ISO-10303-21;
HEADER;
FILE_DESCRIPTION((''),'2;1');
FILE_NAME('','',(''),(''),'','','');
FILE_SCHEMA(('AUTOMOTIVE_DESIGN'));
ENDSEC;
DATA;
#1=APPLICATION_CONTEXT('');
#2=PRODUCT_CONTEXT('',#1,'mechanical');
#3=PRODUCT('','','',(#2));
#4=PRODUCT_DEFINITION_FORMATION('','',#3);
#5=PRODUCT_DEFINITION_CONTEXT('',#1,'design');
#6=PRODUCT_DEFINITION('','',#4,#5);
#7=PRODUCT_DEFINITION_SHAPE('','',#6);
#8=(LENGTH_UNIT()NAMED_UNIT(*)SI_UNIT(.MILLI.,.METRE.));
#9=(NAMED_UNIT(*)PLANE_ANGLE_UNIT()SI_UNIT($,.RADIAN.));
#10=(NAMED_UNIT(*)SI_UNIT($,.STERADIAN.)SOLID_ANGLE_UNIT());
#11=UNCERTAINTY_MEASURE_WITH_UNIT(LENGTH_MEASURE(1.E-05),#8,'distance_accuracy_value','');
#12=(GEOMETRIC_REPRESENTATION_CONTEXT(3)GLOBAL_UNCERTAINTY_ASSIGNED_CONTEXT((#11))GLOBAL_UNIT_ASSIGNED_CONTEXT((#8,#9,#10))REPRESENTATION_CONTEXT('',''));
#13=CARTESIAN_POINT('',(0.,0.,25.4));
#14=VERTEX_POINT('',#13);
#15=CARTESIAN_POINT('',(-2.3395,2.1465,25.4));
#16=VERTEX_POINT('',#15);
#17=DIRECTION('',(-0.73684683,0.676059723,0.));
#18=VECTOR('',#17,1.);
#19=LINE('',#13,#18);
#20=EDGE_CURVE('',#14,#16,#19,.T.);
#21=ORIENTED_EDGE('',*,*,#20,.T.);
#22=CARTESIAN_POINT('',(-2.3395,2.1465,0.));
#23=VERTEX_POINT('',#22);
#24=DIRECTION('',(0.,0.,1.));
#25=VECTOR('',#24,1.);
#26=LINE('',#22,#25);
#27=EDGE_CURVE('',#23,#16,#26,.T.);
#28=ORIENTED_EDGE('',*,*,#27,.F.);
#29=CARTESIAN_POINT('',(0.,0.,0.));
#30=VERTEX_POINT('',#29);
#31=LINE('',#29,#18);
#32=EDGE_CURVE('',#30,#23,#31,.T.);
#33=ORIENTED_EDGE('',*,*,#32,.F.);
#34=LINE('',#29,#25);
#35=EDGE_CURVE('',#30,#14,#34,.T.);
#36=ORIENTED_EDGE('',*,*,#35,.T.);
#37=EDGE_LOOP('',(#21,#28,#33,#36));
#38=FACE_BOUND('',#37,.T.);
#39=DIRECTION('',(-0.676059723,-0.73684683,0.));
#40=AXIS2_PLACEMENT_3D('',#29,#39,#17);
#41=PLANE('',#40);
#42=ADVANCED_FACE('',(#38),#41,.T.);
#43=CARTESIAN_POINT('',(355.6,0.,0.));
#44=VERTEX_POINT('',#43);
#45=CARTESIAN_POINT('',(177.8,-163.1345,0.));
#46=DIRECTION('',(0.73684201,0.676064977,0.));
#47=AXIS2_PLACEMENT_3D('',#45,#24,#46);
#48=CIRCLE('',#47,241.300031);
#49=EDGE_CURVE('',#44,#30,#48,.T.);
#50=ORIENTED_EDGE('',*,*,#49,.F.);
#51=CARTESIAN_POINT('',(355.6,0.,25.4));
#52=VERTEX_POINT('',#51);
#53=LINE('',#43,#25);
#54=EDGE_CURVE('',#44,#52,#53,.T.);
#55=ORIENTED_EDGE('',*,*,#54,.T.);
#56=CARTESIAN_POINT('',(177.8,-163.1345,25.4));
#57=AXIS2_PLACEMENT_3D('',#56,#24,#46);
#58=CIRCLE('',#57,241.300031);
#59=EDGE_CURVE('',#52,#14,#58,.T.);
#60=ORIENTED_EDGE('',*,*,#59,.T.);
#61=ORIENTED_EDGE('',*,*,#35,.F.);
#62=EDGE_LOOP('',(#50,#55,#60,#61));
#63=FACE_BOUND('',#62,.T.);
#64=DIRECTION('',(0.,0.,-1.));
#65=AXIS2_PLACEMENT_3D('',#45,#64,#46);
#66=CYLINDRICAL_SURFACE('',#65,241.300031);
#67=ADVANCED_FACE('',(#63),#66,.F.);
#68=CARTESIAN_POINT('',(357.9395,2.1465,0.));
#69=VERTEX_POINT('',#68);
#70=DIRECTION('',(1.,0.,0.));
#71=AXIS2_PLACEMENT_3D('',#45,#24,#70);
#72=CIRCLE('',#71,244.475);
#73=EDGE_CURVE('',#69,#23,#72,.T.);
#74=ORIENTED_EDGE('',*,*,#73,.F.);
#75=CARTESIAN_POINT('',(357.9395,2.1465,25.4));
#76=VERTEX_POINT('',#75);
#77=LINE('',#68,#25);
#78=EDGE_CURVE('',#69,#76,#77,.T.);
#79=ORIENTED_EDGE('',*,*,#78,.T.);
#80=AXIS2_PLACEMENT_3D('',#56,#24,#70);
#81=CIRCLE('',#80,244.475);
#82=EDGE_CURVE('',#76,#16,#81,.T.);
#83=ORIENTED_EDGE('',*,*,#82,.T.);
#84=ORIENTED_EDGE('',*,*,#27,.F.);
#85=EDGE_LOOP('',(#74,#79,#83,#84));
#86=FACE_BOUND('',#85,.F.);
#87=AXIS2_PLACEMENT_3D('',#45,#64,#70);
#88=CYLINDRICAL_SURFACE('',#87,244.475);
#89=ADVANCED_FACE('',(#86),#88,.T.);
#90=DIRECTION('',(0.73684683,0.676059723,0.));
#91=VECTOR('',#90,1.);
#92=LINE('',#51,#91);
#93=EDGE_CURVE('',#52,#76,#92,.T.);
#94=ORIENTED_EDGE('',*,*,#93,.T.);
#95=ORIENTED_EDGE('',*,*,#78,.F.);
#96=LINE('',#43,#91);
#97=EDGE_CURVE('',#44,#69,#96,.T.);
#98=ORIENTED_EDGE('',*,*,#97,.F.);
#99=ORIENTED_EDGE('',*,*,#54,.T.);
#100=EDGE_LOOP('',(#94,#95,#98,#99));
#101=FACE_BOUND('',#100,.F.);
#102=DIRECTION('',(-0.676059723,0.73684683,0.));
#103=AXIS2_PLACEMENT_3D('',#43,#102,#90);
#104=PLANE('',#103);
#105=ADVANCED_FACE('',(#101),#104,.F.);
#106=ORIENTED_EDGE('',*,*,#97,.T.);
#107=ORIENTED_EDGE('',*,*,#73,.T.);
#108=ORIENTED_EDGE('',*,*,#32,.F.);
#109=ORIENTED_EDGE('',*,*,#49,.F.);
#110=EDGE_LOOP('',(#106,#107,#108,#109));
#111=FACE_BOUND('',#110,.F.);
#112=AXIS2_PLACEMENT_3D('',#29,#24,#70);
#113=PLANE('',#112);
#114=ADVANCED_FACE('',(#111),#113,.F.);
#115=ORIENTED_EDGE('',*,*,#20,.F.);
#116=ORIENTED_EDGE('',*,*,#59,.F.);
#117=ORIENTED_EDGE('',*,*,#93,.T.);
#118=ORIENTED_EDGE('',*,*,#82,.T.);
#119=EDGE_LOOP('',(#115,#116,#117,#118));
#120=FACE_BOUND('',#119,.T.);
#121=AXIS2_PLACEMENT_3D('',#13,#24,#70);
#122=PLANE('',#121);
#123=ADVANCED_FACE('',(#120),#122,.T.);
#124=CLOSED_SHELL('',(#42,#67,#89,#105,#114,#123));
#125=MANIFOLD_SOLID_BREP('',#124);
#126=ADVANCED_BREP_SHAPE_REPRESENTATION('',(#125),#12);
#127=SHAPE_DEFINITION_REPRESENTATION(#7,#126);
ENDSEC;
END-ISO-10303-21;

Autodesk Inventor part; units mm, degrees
ref_plane "YZ Plane" through (0, 0, 0) normal (1, 0, 0) x (0, 1, 0)
ref_plane "XZ Plane" through (0, 0, 0) normal (0, 1, 0) x (-1, 0, 0)
ref_plane "XY Plane" through (0, 0, 0) normal (0, 0, 1) x (1, 0, 0)
sketch "Sketch1" plane through (0, 0, 0) normal (0, 0, 1) x (1, 0, 0)
  line L0 (0, 0) -> (355.6, 0)
  arc A0 (355.6, 0) -> (0, 0) centre (177.8, -163.1345) ccw
  circle A1 centre (177.8, -163.1345) radius 244.475
  line L1 (177.8, -163.1345) -> (355.6, 0)
  line L2 (177.8, -163.1345) -> (0, 0)
  line L3 (0, 0) -> (-2.3395, 2.1465)
  line L4 (355.6, 0) -> (357.9395, 2.1465)
  dimension "d0" = 355.6
  dimension "d1" = 241.3
  dimension "d5" = 488.95
extrude "Extrusion1" add sketch "Sketch1" along normal blind 25.4 contours L3 A1 L4 A0
properties part number "Shooter_4inRollerGuide20160126"
